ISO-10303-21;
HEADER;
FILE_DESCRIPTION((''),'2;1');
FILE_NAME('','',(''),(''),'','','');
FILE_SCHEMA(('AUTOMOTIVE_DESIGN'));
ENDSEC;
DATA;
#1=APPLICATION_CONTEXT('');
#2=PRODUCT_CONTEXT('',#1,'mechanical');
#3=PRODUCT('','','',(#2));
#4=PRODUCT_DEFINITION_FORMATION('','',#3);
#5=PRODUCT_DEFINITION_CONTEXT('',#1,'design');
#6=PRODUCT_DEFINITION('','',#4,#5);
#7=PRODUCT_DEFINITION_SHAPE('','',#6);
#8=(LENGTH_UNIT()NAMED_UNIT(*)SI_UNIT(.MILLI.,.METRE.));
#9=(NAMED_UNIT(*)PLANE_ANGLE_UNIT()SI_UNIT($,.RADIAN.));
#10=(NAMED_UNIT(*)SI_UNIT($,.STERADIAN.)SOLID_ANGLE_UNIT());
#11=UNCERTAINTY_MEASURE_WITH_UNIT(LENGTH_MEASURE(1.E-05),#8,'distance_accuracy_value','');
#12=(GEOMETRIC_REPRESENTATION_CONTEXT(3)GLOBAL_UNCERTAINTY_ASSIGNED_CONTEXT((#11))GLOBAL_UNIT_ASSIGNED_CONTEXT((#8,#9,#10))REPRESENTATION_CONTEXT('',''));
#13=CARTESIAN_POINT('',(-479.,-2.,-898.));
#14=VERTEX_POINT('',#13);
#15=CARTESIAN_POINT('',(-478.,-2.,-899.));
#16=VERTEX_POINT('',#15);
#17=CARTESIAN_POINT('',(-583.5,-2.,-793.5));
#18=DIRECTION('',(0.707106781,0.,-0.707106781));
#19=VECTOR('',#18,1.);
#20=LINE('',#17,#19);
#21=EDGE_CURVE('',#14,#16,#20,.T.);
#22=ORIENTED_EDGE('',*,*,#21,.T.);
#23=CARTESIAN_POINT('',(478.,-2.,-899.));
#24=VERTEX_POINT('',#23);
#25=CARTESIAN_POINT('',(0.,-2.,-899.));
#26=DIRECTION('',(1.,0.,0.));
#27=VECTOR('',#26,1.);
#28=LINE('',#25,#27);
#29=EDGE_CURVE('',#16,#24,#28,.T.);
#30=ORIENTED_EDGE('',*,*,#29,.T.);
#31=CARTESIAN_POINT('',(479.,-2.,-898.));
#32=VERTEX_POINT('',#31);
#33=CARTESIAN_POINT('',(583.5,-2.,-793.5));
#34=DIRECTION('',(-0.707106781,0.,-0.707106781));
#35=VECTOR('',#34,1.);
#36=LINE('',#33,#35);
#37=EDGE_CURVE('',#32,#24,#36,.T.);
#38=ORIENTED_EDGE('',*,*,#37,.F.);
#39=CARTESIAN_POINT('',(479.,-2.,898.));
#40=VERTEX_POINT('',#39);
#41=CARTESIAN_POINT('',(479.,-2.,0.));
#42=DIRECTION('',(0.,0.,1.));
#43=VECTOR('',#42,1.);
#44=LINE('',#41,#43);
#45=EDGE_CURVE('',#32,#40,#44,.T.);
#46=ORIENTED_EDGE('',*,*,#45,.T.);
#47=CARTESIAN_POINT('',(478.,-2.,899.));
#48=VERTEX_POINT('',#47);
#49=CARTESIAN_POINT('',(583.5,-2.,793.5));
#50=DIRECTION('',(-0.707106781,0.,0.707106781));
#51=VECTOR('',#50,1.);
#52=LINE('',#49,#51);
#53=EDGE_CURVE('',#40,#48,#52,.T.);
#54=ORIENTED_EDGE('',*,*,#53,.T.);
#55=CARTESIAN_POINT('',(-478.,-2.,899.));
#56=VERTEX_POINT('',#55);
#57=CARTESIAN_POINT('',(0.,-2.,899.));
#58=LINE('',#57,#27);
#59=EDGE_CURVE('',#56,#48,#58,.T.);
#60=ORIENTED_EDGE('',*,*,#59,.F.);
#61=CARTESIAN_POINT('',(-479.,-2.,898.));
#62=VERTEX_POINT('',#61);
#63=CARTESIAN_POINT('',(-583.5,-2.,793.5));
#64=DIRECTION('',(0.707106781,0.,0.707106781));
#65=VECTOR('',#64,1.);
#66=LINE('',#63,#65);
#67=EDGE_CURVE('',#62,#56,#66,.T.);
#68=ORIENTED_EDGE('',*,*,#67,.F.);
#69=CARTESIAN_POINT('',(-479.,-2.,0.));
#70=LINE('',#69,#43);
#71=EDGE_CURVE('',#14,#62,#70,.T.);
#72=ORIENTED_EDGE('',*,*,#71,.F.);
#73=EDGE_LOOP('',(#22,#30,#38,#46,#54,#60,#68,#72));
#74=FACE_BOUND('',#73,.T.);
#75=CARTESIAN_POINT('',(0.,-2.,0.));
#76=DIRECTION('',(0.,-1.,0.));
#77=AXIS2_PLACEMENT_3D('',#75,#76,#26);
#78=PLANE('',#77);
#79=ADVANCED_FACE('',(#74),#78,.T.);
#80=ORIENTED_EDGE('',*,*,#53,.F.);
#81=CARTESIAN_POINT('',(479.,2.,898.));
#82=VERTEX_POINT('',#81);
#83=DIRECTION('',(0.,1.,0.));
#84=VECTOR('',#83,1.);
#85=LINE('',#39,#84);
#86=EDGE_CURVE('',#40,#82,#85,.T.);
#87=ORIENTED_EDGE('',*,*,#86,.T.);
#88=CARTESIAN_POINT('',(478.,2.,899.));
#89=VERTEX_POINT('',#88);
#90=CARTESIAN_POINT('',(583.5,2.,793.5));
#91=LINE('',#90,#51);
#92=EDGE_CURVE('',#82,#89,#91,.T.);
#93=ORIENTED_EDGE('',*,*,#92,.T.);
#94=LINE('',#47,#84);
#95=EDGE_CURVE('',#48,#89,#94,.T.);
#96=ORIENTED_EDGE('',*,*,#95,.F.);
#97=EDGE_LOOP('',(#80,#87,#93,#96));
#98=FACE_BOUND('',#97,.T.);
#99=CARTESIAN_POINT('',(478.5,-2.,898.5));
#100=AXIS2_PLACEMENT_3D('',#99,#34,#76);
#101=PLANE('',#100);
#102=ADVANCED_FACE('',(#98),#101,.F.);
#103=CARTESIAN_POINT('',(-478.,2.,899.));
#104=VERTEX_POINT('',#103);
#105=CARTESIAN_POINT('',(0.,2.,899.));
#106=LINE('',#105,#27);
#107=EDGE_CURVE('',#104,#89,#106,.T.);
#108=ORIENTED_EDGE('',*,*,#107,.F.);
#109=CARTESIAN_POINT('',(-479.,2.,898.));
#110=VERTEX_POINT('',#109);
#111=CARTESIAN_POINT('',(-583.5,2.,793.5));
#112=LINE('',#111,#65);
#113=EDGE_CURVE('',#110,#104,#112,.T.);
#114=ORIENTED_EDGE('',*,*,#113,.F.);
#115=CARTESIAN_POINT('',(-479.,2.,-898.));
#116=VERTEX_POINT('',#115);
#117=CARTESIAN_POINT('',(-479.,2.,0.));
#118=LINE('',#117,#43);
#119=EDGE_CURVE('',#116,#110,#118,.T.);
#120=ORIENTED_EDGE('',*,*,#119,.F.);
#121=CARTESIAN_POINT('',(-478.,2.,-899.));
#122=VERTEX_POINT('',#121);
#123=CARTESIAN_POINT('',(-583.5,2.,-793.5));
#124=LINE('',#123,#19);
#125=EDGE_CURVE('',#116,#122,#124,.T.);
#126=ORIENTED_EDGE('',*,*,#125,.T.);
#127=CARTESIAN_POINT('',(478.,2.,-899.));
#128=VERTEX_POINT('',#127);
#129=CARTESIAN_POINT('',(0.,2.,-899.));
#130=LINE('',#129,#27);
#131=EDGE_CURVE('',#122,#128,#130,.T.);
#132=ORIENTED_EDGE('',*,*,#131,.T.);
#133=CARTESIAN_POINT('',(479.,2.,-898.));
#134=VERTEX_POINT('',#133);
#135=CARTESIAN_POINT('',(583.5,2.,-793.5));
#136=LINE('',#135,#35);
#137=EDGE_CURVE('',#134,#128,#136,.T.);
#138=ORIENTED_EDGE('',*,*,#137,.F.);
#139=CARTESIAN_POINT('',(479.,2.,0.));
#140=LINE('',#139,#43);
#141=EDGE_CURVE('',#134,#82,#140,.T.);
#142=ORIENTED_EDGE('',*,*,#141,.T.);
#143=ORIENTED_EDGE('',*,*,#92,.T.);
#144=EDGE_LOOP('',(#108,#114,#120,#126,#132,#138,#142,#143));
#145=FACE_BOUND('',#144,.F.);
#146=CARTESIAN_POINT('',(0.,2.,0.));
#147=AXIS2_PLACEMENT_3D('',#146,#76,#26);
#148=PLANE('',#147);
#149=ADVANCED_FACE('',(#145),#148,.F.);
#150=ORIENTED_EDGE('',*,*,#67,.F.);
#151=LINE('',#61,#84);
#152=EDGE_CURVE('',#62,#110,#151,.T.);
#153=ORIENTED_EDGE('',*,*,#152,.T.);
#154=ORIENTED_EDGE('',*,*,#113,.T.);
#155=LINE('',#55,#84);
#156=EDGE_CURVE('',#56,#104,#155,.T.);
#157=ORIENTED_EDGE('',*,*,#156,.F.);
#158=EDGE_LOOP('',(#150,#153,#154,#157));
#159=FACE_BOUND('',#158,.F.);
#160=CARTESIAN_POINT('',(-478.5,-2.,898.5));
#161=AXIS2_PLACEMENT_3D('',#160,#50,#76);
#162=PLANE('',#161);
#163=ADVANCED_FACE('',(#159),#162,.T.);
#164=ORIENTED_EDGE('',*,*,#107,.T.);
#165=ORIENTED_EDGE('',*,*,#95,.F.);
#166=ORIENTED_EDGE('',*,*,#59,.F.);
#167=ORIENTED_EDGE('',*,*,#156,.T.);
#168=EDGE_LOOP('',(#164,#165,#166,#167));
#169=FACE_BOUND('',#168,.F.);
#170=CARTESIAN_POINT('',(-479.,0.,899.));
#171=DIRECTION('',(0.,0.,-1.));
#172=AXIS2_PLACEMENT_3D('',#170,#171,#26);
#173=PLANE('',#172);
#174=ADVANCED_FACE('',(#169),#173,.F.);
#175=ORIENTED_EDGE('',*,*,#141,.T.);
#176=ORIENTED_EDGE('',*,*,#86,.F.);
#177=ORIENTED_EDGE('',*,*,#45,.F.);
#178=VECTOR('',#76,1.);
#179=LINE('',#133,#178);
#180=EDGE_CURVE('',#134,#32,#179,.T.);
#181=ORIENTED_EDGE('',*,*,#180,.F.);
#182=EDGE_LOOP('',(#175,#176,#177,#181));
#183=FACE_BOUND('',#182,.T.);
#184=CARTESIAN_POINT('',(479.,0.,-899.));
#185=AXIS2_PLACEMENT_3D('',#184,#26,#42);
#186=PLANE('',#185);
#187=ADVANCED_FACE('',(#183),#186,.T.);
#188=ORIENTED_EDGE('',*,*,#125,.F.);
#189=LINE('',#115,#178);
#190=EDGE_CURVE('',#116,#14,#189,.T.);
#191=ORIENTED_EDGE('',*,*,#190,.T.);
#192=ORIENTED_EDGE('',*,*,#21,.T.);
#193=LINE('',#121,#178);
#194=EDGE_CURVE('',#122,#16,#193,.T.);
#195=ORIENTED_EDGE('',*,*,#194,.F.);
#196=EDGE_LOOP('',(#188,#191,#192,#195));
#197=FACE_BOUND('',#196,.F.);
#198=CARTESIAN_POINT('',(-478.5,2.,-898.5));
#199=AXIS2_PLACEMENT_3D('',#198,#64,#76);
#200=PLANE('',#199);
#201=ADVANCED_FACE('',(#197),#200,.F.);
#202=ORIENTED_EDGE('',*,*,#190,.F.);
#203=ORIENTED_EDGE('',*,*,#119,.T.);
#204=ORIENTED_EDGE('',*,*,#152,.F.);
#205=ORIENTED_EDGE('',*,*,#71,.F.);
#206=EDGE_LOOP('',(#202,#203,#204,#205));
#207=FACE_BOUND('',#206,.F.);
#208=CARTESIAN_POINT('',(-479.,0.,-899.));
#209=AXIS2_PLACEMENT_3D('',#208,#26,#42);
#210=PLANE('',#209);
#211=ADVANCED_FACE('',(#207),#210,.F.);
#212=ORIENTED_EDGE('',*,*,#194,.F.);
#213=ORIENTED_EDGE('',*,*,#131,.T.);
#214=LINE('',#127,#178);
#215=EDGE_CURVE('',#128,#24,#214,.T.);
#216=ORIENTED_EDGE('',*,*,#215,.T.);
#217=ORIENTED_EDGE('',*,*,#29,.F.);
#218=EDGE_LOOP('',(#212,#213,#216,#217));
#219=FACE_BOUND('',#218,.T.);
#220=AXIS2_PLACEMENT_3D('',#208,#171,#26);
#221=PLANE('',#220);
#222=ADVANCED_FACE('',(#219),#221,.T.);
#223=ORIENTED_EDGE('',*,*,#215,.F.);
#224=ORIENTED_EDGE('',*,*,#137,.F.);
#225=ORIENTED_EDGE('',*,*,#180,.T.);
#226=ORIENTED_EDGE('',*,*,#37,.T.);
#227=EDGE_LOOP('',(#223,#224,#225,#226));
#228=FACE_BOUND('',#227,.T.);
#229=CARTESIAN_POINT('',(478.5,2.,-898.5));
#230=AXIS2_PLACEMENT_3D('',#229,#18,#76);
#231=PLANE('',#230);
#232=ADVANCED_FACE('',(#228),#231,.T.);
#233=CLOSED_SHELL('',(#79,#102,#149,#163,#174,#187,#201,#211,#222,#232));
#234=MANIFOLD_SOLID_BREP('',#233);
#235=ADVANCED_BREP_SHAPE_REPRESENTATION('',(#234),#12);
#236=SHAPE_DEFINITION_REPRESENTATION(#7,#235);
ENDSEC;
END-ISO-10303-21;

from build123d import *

# Parameters (mm, degrees)
F0_W     = 958
F0_H     = 1798
F1_DEPTH = 2
F2_SIZE  = 1


with BuildPart() as f1:
    # F0 (on Front) → F1 (new body, symmetric)
    with BuildSketch(Plane.XZ):
        Rectangle(F0_W, F0_H)
    extrude(amount=F1_DEPTH, both=True)

    # F2
    f2_edges = [f1.edges().sort_by_distance(p)[0] for p in [
        (479, 0, 899),
        (-479, 0, 899),
        (-479, 0, -899),
        (479, 0, -899),
    ]]
    chamfer(f2_edges, length=F2_SIZE)


solid = f1.part
